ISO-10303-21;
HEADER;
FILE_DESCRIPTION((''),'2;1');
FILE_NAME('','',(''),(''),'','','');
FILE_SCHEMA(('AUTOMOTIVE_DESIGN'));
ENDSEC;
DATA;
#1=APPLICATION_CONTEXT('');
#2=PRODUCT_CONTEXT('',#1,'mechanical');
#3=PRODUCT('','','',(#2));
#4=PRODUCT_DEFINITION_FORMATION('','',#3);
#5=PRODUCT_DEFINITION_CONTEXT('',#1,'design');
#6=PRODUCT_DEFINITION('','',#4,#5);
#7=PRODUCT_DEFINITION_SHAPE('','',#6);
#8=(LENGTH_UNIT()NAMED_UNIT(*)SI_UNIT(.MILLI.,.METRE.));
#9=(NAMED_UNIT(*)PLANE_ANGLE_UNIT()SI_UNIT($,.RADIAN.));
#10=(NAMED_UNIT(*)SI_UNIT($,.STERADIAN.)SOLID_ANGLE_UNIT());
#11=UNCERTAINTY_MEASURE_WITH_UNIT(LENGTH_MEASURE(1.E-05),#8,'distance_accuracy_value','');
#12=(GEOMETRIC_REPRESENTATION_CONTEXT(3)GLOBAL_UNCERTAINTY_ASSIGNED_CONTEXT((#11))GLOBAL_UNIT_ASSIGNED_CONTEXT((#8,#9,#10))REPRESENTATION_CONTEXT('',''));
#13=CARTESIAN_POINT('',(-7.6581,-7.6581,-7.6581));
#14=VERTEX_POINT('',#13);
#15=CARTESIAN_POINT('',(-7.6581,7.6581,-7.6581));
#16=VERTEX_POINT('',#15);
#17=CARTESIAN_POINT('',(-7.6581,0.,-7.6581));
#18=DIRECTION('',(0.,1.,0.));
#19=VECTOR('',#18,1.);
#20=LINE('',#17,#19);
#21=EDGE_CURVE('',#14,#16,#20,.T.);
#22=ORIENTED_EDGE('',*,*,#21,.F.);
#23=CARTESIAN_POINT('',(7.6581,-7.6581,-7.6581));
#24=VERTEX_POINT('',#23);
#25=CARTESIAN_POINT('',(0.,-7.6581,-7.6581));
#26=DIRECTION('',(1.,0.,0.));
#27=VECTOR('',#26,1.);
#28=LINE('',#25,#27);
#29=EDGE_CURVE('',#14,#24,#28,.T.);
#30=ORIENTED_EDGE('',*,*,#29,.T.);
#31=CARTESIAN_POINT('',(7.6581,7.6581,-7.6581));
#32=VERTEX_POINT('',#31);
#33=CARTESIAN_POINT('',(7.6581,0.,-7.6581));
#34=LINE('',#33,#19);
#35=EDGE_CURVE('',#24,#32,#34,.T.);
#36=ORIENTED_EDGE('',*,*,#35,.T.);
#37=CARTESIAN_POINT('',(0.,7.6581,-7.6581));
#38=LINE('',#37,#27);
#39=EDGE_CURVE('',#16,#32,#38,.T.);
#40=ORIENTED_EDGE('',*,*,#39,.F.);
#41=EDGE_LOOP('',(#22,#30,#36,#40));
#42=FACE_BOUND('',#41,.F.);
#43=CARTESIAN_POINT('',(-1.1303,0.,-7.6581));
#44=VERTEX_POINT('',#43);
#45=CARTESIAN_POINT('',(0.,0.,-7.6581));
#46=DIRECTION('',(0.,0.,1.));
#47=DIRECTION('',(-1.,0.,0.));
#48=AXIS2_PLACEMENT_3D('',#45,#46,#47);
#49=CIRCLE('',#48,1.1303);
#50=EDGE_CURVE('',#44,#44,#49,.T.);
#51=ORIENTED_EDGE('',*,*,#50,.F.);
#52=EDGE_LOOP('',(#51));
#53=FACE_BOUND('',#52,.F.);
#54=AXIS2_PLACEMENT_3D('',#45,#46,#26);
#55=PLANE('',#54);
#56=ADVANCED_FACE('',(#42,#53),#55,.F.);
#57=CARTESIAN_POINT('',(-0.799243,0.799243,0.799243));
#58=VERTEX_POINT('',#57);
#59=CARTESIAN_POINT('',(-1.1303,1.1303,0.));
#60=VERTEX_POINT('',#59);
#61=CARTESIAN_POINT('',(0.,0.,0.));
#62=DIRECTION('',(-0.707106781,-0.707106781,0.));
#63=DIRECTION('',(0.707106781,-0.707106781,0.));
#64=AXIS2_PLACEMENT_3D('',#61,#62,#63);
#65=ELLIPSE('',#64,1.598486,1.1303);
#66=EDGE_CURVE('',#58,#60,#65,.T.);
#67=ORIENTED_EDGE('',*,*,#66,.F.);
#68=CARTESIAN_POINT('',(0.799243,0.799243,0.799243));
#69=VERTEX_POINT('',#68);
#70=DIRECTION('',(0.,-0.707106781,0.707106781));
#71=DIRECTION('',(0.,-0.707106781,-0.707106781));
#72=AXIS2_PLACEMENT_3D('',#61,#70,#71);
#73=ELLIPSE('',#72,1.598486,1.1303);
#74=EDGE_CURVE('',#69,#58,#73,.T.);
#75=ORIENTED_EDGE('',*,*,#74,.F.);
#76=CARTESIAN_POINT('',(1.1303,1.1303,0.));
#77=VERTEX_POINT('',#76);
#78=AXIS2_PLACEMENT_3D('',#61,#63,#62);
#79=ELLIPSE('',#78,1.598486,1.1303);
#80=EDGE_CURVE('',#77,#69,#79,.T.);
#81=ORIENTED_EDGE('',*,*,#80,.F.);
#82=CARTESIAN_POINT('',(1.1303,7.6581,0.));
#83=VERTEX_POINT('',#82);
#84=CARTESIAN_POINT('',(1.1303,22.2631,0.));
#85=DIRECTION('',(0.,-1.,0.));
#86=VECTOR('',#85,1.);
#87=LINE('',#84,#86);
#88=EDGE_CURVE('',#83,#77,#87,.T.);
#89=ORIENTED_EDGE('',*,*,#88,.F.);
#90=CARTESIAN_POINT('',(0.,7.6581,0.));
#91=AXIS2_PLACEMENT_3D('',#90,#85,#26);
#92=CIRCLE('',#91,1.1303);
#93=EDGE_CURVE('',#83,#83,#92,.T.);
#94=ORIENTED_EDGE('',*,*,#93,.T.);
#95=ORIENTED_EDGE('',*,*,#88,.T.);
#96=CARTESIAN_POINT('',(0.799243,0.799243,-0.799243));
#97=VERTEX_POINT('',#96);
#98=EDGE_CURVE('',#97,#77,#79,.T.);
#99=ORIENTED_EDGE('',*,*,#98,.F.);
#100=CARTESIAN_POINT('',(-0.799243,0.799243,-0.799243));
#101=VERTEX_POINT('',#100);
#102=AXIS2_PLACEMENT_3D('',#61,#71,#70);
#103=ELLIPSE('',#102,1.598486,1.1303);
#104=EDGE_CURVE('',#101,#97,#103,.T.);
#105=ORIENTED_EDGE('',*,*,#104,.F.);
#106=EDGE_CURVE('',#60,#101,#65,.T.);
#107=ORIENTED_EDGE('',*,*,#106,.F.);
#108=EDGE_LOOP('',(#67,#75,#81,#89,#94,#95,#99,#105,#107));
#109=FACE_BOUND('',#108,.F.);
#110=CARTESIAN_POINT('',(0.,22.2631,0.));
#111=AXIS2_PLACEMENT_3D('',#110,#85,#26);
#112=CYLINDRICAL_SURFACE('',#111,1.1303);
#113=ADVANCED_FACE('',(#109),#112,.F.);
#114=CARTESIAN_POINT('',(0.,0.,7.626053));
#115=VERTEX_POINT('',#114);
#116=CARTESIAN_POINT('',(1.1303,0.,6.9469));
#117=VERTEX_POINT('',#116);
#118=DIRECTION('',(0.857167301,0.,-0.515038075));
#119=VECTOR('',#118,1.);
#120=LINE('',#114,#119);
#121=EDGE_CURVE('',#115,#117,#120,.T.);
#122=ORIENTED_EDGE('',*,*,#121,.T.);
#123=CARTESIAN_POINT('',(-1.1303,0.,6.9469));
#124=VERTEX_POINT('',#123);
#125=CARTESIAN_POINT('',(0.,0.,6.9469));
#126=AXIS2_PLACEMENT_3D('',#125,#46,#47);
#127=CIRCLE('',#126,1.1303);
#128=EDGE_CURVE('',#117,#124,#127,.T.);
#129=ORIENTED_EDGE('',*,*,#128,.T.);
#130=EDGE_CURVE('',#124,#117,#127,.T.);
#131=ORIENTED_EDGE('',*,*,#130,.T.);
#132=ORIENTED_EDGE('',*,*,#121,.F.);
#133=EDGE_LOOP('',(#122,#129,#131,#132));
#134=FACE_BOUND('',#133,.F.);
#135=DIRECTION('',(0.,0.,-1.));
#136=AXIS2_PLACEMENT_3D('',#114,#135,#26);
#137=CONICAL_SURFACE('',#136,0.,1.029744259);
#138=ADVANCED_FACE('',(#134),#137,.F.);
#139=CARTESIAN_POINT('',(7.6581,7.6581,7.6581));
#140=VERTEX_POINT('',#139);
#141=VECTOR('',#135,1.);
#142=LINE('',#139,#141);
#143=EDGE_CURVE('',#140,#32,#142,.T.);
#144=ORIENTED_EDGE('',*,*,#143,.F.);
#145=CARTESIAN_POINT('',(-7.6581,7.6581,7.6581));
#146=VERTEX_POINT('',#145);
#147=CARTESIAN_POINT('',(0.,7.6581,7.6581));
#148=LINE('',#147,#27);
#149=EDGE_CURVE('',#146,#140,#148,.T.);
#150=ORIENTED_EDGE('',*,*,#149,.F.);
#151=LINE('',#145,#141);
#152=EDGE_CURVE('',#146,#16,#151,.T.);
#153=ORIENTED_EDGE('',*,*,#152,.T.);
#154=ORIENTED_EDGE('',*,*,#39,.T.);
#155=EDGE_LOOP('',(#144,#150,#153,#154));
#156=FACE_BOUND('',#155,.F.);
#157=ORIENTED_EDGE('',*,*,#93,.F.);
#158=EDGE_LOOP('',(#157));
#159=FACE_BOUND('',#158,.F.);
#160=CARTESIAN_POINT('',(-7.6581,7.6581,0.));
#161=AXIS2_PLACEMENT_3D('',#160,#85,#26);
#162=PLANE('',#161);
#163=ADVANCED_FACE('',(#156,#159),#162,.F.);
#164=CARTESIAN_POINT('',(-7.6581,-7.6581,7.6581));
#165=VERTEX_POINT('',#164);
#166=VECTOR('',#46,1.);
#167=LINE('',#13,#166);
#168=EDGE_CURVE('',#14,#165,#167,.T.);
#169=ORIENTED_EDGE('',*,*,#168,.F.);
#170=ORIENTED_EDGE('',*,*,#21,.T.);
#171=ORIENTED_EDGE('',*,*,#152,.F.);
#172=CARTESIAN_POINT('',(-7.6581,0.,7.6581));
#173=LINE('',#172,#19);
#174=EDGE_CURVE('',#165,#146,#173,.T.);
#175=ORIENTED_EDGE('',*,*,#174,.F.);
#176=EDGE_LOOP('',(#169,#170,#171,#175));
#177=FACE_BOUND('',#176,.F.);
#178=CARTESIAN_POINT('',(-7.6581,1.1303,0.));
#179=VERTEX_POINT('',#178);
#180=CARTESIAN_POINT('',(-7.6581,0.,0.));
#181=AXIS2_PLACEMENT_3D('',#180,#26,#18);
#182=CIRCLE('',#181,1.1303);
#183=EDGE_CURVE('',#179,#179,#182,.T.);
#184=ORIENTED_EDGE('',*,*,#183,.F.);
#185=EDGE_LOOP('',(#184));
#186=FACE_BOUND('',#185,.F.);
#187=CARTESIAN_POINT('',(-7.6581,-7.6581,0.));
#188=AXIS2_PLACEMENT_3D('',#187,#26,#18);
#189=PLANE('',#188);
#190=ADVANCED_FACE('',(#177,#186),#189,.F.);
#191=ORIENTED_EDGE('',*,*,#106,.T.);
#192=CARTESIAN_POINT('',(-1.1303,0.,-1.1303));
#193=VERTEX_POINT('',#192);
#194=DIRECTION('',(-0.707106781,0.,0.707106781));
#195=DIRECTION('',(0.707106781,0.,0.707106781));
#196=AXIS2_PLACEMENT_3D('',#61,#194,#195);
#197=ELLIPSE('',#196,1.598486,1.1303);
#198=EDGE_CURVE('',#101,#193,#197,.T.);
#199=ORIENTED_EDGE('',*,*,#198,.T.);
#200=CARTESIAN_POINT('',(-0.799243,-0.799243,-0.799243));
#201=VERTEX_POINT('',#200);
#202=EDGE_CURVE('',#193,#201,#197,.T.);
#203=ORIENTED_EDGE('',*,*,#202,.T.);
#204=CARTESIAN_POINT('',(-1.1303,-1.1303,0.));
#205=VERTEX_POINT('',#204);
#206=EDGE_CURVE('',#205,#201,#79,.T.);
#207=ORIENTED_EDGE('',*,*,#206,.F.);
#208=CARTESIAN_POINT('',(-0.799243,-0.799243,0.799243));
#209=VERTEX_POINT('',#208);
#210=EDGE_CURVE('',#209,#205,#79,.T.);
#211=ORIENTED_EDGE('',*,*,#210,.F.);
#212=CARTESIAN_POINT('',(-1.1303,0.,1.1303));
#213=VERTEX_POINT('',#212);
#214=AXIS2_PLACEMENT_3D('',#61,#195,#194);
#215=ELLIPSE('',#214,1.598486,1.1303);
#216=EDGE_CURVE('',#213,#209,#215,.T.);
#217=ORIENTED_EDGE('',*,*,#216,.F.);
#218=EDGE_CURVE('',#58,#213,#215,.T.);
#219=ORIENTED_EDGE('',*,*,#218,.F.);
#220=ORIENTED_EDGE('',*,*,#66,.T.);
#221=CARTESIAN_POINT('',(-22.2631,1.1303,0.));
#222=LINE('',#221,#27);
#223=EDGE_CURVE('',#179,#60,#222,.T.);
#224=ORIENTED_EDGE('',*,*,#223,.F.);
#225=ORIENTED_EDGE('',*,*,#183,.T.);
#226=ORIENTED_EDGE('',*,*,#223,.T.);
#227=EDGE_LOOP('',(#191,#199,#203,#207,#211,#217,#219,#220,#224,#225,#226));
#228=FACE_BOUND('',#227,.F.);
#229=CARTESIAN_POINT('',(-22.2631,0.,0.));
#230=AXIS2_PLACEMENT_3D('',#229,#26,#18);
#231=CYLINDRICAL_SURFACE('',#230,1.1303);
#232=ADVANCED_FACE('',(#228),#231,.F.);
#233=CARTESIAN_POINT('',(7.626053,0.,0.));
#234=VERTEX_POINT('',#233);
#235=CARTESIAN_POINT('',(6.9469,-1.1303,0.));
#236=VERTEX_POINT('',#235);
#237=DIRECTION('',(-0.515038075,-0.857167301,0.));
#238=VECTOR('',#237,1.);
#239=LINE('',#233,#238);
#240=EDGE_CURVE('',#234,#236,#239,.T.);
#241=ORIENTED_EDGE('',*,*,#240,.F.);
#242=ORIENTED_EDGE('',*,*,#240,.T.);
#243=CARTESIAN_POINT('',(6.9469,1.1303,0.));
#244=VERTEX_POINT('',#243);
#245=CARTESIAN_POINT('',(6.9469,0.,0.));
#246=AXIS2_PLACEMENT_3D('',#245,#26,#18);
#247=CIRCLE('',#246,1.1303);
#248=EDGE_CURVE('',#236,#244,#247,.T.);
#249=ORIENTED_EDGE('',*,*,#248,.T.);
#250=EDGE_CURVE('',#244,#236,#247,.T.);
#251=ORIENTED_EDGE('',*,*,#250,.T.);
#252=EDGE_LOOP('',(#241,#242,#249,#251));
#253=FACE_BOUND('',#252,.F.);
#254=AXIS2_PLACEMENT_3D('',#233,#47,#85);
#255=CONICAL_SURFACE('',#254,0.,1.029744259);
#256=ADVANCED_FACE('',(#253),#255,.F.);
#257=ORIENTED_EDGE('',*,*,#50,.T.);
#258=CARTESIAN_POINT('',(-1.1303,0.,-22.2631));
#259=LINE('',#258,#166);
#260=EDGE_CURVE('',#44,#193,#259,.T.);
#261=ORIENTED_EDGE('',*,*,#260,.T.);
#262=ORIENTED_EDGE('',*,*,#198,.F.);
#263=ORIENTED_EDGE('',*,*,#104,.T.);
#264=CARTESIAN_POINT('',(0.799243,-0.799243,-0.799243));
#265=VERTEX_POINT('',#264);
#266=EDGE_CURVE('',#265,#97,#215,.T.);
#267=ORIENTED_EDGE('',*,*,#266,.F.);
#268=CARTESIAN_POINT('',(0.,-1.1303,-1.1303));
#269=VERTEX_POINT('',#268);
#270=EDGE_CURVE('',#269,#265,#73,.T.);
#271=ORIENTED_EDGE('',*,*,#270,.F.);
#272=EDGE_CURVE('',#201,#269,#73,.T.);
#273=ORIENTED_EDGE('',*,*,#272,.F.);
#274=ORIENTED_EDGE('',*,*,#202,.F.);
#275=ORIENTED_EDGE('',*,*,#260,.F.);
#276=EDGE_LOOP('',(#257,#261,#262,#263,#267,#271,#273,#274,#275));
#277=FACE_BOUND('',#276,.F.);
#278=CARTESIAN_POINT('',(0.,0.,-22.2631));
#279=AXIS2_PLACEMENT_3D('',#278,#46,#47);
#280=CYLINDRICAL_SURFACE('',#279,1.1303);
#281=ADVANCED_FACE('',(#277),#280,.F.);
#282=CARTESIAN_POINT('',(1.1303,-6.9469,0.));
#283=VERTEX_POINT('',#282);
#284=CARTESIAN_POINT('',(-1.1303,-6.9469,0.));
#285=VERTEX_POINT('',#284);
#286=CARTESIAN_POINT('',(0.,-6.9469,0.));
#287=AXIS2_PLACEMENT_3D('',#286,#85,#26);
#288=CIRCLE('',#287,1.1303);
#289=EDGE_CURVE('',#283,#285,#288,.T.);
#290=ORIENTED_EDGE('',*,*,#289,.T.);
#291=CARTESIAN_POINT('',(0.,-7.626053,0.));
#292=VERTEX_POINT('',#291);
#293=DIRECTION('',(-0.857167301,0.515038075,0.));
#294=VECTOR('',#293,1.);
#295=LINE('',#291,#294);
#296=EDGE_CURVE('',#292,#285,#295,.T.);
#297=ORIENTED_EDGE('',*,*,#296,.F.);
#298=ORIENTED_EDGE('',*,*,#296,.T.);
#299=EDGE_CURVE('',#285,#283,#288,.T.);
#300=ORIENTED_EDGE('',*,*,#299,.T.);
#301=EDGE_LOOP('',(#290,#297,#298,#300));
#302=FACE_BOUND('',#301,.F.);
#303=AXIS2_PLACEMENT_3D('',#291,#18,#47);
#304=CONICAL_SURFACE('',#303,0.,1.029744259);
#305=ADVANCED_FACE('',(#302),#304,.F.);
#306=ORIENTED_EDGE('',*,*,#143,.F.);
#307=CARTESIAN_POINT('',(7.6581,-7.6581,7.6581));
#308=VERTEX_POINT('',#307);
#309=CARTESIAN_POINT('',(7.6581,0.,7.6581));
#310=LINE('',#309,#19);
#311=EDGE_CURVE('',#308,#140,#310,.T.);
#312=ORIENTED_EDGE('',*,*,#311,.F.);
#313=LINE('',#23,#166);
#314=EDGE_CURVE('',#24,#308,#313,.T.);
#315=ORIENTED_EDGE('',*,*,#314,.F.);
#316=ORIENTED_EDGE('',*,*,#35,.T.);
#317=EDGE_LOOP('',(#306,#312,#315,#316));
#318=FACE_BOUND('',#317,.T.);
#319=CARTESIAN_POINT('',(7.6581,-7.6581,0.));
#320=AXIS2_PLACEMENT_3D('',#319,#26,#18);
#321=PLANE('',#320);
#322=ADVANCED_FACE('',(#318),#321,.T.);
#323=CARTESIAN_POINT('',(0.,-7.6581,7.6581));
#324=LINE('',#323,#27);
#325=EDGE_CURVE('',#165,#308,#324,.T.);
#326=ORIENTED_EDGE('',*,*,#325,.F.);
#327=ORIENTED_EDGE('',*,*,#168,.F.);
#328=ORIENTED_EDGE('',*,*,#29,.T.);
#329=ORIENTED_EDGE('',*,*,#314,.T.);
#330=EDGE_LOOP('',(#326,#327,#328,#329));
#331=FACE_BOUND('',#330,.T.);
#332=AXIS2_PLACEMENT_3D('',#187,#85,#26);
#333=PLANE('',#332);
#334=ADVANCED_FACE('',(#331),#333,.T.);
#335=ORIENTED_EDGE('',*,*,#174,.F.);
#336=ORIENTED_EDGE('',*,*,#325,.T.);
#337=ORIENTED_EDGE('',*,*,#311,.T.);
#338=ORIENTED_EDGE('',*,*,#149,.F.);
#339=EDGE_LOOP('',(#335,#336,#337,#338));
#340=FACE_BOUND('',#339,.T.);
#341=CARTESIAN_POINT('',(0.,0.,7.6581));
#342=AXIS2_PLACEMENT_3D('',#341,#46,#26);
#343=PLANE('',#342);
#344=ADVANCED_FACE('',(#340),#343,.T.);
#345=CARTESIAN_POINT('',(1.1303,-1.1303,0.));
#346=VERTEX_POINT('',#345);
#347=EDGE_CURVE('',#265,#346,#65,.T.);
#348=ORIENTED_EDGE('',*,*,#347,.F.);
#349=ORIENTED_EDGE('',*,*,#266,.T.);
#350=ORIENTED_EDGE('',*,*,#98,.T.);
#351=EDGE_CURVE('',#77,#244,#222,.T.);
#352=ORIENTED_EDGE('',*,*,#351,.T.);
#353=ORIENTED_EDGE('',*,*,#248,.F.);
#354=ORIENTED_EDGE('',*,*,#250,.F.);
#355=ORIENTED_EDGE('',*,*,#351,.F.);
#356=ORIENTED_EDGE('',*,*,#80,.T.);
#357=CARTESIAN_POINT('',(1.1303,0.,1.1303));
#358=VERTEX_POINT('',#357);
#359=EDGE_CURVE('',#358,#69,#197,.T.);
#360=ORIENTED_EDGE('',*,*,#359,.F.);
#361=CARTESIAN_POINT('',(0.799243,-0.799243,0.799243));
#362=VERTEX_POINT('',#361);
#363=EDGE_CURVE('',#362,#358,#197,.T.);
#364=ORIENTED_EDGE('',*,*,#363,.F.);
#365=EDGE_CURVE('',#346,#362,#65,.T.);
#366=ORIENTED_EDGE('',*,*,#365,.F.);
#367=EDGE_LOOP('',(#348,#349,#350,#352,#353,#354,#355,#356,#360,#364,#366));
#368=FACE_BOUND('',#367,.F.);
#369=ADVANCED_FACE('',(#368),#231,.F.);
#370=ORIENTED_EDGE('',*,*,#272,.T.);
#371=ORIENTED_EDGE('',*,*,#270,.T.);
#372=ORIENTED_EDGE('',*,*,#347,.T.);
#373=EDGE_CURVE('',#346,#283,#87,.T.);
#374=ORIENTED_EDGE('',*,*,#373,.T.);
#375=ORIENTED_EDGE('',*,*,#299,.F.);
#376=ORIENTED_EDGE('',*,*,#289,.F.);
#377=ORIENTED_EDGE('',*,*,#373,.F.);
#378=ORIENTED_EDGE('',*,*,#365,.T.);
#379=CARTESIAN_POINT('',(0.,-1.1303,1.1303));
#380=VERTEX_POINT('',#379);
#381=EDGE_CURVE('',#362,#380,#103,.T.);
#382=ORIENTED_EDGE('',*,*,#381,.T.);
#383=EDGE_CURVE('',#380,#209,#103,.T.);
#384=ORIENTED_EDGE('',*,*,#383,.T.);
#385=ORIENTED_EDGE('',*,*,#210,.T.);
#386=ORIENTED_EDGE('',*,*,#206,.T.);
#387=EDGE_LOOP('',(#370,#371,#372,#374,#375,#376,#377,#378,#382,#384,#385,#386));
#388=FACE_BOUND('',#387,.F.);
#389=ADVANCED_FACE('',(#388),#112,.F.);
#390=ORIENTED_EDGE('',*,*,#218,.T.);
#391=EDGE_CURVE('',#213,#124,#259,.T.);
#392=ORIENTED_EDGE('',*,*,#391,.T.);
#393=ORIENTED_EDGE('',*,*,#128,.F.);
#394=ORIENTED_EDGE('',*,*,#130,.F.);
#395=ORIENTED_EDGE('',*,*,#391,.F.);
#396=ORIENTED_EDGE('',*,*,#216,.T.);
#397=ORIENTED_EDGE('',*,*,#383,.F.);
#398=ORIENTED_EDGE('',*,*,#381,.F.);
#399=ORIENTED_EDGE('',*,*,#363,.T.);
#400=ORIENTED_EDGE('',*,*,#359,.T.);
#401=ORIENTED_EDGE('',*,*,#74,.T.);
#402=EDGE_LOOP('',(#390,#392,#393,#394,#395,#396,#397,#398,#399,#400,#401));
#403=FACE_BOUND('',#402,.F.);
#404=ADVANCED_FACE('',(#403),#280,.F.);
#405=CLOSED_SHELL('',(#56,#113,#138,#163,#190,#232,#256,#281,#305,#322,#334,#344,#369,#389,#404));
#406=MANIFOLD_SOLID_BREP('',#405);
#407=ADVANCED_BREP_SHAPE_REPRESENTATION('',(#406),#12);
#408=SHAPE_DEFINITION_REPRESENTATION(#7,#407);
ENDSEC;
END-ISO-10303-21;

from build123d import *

# Parameters (mm, degrees)
F0_W          = 15.3162
F0_H          = 15.3162
F1_DEPTH      = 7.6581
F1_DEPTH_BACK = 7.6581
F3_D          = 2.2606
F3_DEPTH      = 14.605
F3_TIP        = 0.6791527577
F5_D          = 2.2606
F5_DEPTH      = 14.605
F5_TIP        = 0.6791527577
F7_D          = 2.2606
F7_DEPTH      = 14.605
F7_TIP        = 0.6791527577


with BuildPart() as f1:
    # F0 (on Top) → F1 (new body, two sides)
    with BuildSketch(Plane.XY) as f1_sk:
        Rectangle(F0_W, F0_H)
    extrude(amount=F1_DEPTH)
    extrude(f1_sk.sketch, amount=-F1_DEPTH_BACK)

    # F3
    with Locations(Plane(origin=(0, 7.6581, 0), x_dir=(-1, 0, 0), z_dir=(0, 1, 0))):
        with Locations((0, 0)):
            Hole(F3_D / 2, depth=F3_DEPTH)
            with Locations((0, 0, -(F3_DEPTH + F3_TIP / 2))):  # 118° drill point
                Cone(0, F3_D / 2, F3_TIP, mode=Mode.SUBTRACT)

    # F5
    with Locations(Plane(origin=(0, 0, -7.6581), x_dir=(1, 0, 0), z_dir=(0, 0, -1))):
        with Locations((0, 0)):
            Hole(F5_D / 2, depth=F5_DEPTH)
            with Locations((0, 0, -(F5_DEPTH + F5_TIP / 2))):  # 118° drill point
                Cone(0, F5_D / 2, F5_TIP, mode=Mode.SUBTRACT)

    # F7
    with Locations(Plane(origin=(-7.6581, 0, 0), x_dir=(0, -1, 0), z_dir=(-1, 0, 0))):
        with Locations((0, 0)):
            Hole(F7_D / 2, depth=F7_DEPTH)
            with Locations((0, 0, -(F7_DEPTH + F7_TIP / 2))):  # 118° drill point
                Cone(0, F7_D / 2, F7_TIP, mode=Mode.SUBTRACT)


solid = f1.part
